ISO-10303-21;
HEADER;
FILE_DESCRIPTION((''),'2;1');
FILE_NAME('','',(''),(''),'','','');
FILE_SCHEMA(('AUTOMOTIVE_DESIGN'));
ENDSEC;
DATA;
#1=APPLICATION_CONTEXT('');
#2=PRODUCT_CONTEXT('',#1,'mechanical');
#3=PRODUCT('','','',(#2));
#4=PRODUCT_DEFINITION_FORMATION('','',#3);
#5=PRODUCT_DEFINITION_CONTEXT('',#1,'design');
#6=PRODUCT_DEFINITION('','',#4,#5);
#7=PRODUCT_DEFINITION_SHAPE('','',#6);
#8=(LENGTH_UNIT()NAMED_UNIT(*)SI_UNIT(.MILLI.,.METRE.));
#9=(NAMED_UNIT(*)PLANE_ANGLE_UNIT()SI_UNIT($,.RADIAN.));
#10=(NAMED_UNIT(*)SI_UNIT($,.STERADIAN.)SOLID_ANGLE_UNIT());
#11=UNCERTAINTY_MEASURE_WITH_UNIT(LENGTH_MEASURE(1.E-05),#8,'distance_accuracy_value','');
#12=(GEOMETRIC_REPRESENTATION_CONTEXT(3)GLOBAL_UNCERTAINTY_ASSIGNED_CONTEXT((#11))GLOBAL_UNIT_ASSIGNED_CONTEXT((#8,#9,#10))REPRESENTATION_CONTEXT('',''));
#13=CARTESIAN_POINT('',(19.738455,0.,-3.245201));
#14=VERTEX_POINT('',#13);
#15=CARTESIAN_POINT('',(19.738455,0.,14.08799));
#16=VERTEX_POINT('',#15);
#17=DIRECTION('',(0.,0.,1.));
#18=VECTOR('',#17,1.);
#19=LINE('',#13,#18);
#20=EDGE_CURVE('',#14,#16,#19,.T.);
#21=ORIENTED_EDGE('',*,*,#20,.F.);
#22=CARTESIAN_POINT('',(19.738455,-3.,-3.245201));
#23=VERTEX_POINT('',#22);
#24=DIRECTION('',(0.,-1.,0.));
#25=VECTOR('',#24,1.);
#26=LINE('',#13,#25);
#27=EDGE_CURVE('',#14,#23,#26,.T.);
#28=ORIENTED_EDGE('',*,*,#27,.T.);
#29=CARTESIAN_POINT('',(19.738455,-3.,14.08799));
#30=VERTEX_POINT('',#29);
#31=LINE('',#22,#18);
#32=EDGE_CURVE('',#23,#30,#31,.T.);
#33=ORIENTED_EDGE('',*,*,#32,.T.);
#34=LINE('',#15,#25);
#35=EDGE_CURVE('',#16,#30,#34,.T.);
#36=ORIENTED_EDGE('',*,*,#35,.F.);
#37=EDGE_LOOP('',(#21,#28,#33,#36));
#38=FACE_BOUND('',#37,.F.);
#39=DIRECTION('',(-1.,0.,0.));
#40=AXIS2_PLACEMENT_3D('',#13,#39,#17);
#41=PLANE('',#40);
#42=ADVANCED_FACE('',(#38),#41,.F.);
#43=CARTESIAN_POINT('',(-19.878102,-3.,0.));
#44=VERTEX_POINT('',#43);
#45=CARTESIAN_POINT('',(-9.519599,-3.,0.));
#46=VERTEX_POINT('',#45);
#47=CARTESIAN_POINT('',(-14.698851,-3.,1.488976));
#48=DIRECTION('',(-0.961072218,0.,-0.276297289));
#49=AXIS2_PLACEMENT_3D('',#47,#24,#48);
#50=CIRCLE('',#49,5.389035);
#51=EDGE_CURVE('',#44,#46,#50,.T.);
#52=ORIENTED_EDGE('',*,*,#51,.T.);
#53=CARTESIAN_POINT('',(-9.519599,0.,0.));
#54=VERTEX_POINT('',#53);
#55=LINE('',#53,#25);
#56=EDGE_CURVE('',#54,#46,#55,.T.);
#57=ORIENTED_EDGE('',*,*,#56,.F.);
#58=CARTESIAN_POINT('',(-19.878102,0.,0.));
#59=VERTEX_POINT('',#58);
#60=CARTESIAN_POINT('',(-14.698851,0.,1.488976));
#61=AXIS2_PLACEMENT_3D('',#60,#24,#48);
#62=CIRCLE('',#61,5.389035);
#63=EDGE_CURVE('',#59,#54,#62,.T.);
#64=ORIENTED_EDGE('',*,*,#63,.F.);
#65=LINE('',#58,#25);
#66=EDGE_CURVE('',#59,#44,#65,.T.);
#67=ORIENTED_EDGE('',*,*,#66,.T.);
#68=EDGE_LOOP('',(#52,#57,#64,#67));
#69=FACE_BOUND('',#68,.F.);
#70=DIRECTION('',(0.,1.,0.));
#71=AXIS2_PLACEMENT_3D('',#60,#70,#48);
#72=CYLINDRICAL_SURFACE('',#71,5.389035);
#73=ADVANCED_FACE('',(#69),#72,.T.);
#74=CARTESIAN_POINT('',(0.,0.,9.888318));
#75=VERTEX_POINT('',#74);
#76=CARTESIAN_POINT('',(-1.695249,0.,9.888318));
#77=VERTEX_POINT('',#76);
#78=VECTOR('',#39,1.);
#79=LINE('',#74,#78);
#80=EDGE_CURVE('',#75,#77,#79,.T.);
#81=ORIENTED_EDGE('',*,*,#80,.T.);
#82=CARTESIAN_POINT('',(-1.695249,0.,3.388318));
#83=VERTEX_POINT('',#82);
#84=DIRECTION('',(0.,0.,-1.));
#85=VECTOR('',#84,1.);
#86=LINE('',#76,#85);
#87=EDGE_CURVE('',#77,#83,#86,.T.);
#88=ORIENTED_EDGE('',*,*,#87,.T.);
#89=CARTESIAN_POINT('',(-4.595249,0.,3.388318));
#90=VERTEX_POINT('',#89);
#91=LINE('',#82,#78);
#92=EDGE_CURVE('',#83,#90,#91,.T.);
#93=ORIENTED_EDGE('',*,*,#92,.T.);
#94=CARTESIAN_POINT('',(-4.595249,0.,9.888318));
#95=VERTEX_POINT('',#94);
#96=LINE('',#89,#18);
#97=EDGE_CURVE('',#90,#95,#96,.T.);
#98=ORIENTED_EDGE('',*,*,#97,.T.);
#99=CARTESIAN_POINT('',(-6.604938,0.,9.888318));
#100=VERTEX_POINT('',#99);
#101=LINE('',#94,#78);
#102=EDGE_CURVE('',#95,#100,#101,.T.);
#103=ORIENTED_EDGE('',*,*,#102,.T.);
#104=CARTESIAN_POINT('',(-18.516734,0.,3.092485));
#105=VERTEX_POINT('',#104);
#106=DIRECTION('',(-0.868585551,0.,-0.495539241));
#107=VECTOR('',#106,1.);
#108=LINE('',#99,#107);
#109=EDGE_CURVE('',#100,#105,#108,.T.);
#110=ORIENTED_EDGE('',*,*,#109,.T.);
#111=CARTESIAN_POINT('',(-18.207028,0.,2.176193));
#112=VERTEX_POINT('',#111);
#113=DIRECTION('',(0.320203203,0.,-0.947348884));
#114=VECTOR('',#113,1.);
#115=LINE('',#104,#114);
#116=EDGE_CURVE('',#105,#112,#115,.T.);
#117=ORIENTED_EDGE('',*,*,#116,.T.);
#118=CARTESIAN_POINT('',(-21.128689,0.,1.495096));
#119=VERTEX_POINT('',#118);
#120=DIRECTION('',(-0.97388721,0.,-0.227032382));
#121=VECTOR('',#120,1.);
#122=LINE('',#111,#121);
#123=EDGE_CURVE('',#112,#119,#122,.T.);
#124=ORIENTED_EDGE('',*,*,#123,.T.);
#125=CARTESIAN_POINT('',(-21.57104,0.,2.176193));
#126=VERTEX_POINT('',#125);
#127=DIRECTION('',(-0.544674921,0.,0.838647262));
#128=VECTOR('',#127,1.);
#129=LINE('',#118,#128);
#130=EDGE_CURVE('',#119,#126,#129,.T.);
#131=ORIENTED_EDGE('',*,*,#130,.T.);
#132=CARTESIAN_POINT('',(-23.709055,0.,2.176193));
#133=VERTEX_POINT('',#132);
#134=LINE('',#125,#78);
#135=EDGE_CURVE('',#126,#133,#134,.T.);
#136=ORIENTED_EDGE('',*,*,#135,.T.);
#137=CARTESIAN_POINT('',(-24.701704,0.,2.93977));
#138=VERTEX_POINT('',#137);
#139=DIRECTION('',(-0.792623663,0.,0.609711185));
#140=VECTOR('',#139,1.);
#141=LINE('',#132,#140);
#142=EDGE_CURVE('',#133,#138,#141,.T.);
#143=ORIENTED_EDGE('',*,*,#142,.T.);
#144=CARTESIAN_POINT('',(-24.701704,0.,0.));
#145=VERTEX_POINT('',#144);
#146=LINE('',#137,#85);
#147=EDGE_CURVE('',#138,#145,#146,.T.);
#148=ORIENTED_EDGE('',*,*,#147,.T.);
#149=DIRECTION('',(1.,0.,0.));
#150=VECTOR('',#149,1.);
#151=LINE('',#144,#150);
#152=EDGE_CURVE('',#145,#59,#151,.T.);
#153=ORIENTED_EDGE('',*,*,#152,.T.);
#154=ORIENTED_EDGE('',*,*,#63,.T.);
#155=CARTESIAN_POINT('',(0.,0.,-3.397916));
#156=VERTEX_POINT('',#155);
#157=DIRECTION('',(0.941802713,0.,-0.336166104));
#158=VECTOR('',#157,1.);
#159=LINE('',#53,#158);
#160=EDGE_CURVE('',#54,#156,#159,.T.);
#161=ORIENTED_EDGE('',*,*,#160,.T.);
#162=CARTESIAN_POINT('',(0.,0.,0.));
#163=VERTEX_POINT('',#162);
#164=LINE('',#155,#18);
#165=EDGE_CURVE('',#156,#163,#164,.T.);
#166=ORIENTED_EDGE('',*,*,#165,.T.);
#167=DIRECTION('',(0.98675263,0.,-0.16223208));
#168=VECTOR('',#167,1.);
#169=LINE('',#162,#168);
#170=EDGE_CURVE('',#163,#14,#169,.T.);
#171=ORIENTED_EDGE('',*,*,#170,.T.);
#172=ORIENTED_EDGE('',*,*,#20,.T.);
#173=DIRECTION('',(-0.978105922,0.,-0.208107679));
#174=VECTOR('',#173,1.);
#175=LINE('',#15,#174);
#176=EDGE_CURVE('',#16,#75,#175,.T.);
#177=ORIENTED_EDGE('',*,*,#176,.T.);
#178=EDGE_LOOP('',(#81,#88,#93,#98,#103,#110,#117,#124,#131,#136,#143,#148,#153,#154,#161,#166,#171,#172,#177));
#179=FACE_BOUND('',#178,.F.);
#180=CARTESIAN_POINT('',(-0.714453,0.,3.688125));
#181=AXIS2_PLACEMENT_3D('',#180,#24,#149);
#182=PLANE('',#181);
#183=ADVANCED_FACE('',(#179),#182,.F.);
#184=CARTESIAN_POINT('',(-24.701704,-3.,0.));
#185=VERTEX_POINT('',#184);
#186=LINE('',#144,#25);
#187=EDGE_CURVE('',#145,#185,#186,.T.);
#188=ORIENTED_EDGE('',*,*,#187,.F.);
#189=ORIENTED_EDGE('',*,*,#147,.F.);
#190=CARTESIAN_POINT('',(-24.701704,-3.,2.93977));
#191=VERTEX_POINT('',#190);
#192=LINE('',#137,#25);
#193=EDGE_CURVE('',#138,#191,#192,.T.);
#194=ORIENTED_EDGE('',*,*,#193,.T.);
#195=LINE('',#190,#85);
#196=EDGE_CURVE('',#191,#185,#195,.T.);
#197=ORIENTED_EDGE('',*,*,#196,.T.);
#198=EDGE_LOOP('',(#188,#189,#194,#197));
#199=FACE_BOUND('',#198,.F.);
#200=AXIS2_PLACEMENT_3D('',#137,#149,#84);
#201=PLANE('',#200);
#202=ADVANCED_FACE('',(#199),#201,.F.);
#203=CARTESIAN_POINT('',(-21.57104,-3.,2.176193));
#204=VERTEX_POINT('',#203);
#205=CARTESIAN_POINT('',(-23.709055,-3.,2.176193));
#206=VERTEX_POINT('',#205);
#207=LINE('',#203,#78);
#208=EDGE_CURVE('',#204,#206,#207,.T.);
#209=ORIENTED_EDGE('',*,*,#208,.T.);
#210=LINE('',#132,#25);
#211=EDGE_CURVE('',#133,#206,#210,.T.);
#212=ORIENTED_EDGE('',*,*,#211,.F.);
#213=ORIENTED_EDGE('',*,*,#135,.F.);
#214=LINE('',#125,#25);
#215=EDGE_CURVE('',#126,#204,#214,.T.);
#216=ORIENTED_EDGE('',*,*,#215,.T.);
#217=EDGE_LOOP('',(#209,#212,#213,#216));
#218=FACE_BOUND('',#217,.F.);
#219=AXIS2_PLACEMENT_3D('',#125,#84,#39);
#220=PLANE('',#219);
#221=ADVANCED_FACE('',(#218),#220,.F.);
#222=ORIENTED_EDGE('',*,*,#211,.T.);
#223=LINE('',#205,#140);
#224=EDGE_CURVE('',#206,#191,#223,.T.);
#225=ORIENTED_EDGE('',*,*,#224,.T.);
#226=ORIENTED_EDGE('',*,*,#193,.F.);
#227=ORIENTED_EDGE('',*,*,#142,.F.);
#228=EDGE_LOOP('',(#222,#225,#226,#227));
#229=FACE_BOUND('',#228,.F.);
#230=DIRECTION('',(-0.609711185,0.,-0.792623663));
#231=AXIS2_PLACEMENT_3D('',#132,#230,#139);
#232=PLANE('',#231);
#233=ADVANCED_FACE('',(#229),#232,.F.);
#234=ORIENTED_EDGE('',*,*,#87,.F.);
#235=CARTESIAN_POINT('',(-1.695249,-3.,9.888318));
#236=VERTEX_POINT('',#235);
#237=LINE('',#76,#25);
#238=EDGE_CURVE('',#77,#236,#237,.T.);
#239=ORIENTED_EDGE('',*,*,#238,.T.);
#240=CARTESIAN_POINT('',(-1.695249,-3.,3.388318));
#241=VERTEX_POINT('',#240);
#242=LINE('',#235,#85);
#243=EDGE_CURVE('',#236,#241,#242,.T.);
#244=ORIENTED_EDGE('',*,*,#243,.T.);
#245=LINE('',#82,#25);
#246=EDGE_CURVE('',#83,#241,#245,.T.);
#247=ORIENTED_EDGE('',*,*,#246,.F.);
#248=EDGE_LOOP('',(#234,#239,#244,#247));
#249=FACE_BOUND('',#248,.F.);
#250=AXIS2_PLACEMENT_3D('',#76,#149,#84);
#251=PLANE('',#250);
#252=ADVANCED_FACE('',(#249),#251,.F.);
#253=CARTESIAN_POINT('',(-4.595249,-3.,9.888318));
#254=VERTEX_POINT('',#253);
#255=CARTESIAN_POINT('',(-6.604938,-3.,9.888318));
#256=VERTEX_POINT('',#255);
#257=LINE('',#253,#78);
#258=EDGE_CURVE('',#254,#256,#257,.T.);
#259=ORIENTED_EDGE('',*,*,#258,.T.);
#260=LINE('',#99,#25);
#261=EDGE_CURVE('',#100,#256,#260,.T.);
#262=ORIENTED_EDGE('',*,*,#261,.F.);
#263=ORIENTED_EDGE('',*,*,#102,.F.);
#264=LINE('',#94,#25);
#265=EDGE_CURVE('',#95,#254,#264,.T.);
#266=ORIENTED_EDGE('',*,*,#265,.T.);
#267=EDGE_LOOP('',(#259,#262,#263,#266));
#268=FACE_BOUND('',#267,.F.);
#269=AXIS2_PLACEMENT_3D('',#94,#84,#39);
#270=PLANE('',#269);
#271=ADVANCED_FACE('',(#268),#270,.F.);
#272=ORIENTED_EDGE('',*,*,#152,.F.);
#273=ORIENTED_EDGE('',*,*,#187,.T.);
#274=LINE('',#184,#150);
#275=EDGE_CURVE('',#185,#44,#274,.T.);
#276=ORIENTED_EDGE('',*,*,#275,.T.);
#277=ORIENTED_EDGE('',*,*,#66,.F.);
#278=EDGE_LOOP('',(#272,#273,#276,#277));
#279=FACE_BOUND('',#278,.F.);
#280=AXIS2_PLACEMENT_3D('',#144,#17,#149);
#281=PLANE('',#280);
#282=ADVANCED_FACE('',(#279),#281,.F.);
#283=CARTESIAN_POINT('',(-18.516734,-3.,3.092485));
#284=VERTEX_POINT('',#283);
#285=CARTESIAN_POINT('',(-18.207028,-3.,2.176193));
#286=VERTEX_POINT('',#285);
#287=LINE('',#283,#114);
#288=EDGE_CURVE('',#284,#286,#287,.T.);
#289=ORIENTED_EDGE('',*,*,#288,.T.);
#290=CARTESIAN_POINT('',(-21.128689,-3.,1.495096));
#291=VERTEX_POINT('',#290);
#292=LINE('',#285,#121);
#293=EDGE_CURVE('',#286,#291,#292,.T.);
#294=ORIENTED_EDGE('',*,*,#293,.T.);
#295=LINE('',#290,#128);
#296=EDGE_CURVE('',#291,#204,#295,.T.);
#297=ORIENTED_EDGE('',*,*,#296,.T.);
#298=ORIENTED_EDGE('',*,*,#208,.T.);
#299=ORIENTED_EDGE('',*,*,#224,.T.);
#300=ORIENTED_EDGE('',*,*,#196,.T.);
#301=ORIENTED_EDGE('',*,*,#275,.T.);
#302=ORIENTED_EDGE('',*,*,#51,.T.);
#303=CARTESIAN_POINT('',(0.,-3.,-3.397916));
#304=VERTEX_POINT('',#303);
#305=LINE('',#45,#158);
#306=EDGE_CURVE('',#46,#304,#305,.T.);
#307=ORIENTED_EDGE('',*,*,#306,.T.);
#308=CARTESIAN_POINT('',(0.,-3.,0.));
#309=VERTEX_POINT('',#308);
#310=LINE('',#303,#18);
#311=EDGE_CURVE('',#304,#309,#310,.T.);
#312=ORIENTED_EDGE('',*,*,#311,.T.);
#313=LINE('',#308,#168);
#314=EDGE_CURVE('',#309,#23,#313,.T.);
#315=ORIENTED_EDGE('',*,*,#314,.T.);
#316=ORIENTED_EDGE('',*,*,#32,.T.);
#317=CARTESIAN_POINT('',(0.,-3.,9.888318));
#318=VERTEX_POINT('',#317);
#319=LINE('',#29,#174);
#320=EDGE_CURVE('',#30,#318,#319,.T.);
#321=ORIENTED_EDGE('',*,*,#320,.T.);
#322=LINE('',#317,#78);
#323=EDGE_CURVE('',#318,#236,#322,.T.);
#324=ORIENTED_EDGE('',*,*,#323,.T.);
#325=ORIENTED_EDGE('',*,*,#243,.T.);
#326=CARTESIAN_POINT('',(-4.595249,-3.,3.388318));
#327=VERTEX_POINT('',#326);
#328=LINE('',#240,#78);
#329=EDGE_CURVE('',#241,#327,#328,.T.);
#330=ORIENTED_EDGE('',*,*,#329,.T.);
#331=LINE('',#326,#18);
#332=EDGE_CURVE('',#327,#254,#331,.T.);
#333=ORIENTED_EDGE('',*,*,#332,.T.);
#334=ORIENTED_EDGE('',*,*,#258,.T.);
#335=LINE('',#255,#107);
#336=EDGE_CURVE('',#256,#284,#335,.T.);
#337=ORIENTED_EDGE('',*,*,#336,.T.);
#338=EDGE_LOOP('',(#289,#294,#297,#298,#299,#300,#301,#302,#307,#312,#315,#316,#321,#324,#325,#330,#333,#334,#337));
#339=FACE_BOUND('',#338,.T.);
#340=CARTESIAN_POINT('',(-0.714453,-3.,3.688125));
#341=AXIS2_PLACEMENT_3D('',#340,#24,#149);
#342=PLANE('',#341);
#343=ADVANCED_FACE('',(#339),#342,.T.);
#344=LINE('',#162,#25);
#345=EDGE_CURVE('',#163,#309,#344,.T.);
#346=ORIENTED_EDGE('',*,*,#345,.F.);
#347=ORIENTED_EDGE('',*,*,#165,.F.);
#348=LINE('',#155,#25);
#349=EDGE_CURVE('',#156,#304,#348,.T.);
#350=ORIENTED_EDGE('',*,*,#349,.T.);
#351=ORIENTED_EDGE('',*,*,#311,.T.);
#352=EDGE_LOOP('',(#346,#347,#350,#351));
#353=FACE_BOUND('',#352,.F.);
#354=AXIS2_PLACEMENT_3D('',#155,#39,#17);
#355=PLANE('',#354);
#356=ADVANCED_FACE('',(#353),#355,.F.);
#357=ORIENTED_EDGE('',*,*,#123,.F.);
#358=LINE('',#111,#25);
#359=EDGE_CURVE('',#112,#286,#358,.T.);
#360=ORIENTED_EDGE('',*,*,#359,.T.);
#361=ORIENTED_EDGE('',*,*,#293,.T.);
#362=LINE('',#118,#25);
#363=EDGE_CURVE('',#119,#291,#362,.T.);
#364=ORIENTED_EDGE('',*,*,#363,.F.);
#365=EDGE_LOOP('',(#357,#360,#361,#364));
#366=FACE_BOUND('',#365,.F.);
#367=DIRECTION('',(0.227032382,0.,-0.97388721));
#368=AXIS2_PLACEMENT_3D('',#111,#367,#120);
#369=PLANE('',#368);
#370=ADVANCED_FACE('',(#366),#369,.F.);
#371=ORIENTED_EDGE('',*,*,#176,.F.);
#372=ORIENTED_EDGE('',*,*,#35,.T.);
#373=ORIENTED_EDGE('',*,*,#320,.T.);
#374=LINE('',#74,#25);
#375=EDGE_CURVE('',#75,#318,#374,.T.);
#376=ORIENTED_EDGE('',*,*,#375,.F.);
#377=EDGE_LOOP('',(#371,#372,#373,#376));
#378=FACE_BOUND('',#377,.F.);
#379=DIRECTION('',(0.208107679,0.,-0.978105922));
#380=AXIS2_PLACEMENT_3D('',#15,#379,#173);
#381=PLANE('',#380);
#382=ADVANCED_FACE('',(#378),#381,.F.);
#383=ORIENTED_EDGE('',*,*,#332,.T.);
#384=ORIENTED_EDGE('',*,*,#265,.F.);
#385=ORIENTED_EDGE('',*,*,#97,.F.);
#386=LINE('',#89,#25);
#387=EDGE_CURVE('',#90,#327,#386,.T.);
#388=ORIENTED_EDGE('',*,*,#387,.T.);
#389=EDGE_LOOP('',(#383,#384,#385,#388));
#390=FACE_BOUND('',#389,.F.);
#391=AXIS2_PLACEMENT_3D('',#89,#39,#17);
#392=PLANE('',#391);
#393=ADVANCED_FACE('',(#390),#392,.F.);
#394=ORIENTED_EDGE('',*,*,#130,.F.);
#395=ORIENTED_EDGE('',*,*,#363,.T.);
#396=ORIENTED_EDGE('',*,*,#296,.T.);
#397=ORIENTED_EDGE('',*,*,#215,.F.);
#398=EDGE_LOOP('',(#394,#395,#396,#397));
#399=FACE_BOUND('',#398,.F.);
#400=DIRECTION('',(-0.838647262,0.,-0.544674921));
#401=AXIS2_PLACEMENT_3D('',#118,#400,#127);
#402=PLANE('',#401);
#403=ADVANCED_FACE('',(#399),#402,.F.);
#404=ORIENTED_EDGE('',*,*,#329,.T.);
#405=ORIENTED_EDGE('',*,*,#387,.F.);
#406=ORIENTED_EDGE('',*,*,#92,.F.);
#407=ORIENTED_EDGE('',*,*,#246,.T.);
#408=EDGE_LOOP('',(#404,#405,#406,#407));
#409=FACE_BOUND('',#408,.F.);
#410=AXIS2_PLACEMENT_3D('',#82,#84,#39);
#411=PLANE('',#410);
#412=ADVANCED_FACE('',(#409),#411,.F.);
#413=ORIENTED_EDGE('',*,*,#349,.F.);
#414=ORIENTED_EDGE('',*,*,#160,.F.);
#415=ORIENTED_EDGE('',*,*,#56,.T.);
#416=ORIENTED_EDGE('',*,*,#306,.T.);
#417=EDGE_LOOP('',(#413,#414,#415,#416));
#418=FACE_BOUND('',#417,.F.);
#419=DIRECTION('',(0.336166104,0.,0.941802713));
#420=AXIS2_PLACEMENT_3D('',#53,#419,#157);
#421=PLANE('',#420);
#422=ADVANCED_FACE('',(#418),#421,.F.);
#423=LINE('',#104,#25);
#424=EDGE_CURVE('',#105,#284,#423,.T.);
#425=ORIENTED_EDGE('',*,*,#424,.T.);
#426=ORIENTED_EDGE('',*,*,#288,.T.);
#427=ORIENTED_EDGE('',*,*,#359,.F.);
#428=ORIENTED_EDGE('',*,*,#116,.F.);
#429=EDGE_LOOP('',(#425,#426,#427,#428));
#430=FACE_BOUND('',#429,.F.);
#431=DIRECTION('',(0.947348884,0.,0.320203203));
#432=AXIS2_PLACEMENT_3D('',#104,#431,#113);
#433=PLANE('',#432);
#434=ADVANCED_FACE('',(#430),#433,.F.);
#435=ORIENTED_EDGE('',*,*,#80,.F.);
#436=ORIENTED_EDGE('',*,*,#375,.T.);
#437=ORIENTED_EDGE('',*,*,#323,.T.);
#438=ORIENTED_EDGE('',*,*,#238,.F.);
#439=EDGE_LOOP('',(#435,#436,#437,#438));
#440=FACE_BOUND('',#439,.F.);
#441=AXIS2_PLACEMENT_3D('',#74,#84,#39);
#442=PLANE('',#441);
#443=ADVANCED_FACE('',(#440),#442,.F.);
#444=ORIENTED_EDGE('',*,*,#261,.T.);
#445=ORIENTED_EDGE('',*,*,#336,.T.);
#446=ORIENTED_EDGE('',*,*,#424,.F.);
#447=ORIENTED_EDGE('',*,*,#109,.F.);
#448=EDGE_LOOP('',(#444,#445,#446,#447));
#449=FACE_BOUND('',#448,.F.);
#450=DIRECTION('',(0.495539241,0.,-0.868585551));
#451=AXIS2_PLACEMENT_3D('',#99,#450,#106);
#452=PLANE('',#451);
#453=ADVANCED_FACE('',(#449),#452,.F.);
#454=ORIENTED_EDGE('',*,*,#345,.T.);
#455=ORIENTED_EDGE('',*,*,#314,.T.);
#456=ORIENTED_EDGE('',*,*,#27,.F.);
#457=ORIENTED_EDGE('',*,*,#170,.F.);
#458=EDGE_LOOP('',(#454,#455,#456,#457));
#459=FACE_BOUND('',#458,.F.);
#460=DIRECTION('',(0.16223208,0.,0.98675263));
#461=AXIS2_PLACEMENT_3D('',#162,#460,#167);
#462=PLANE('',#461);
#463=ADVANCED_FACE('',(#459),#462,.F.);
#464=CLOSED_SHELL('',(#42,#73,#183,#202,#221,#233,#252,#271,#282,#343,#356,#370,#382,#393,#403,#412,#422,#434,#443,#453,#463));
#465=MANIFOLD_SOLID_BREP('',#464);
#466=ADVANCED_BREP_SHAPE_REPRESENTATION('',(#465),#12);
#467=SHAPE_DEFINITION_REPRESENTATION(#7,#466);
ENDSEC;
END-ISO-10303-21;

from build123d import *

# Parameters (mm, degrees)
F1_DEPTH = 3
F2_DEPTH = 3


with BuildPart() as f1:
    # F0 (on Front) → F1 (new body)
    with BuildSketch(Plane.XZ):
        with BuildLine():
            Line((-24.701704, 2.93977), (-24.701704, 0))
            Line((-24.701704, 0), (-21.494682, 0))
            Line((-21.494682, 0), (-19.878102, 0))
            ThreePointArc((-19.878102, 0), (-14.698851, -3.900059), (-9.519599, 0))
            Line((-9.519599, 0), (0, -3.397916))
            Line((0, -3.397916), (0, 0))
            Line((0, 0), (19.738455, -3.245201))
            Line((19.738455, -3.245201), (19.738455, 14.08799))
            Line((19.738455, 14.08799), (0, 9.888318))
            Line((0, 9.888318), (-1.695249, 9.888318))
            Line((-1.695249, 9.888318), (-1.695249, 3.388318))
            Line((-1.695249, 3.388318), (-4.595249, 3.388318))
            Line((-4.595249, 3.388318), (-4.595249, 9.888318))
            Line((-4.595249, 9.888318), (-6.604938, 9.888318))
            Line((-6.604938, 9.888318), (-18.516734, 3.092485))
            Line((-18.516734, 3.092485), (-18.207028, 2.176193))
            Line((-18.207028, 2.176193), (-21.128689, 1.495096))
            Line((-21.128689, 1.495096), (-21.57104, 2.176193))
            Line((-21.57104, 2.176193), (-23.709055, 2.176193))
            Line((-23.709055, 2.176193), (-24.701704, 2.93977))
        make_face()
    extrude(amount=F1_DEPTH)

    # F0 (on Front) → F2 (join)
    with BuildSketch(Plane.XZ):
        with BuildLine():
            Line((-24.701704, 2.93977), (-24.701704, 0))
            Line((-24.701704, 0), (-21.494682, 0))
            Line((-21.494682, 0), (-19.878102, 0))
            ThreePointArc((-19.878102, 0), (-14.698851, -3.900059), (-9.519599, 0))
            Line((-9.519599, 0), (0, -3.397916))
            Line((0, -3.397916), (0, 0))
            Line((0, 0), (19.738455, -3.245201))
            Line((19.738455, -3.245201), (19.738455, 14.08799))
            Line((19.738455, 14.08799), (0, 9.888318))
            Line((0, 9.888318), (-1.695249, 9.888318))
            Line((-1.695249, 9.888318), (-1.695249, 3.388318))
            Line((-1.695249, 3.388318), (-4.595249, 3.388318))
            Line((-4.595249, 3.388318), (-4.595249, 9.888318))
            Line((-4.595249, 9.888318), (-6.604938, 9.888318))
            Line((-6.604938, 9.888318), (-18.516734, 3.092485))
            Line((-18.516734, 3.092485), (-18.207028, 2.176193))
            Line((-18.207028, 2.176193), (-21.128689, 1.495096))
            Line((-21.128689, 1.495096), (-21.57104, 2.176193))
            Line((-21.57104, 2.176193), (-23.709055, 2.176193))
            Line((-23.709055, 2.176193), (-24.701704, 2.93977))
        make_face()
    extrude(amount=F2_DEPTH)


solid = f1.part
